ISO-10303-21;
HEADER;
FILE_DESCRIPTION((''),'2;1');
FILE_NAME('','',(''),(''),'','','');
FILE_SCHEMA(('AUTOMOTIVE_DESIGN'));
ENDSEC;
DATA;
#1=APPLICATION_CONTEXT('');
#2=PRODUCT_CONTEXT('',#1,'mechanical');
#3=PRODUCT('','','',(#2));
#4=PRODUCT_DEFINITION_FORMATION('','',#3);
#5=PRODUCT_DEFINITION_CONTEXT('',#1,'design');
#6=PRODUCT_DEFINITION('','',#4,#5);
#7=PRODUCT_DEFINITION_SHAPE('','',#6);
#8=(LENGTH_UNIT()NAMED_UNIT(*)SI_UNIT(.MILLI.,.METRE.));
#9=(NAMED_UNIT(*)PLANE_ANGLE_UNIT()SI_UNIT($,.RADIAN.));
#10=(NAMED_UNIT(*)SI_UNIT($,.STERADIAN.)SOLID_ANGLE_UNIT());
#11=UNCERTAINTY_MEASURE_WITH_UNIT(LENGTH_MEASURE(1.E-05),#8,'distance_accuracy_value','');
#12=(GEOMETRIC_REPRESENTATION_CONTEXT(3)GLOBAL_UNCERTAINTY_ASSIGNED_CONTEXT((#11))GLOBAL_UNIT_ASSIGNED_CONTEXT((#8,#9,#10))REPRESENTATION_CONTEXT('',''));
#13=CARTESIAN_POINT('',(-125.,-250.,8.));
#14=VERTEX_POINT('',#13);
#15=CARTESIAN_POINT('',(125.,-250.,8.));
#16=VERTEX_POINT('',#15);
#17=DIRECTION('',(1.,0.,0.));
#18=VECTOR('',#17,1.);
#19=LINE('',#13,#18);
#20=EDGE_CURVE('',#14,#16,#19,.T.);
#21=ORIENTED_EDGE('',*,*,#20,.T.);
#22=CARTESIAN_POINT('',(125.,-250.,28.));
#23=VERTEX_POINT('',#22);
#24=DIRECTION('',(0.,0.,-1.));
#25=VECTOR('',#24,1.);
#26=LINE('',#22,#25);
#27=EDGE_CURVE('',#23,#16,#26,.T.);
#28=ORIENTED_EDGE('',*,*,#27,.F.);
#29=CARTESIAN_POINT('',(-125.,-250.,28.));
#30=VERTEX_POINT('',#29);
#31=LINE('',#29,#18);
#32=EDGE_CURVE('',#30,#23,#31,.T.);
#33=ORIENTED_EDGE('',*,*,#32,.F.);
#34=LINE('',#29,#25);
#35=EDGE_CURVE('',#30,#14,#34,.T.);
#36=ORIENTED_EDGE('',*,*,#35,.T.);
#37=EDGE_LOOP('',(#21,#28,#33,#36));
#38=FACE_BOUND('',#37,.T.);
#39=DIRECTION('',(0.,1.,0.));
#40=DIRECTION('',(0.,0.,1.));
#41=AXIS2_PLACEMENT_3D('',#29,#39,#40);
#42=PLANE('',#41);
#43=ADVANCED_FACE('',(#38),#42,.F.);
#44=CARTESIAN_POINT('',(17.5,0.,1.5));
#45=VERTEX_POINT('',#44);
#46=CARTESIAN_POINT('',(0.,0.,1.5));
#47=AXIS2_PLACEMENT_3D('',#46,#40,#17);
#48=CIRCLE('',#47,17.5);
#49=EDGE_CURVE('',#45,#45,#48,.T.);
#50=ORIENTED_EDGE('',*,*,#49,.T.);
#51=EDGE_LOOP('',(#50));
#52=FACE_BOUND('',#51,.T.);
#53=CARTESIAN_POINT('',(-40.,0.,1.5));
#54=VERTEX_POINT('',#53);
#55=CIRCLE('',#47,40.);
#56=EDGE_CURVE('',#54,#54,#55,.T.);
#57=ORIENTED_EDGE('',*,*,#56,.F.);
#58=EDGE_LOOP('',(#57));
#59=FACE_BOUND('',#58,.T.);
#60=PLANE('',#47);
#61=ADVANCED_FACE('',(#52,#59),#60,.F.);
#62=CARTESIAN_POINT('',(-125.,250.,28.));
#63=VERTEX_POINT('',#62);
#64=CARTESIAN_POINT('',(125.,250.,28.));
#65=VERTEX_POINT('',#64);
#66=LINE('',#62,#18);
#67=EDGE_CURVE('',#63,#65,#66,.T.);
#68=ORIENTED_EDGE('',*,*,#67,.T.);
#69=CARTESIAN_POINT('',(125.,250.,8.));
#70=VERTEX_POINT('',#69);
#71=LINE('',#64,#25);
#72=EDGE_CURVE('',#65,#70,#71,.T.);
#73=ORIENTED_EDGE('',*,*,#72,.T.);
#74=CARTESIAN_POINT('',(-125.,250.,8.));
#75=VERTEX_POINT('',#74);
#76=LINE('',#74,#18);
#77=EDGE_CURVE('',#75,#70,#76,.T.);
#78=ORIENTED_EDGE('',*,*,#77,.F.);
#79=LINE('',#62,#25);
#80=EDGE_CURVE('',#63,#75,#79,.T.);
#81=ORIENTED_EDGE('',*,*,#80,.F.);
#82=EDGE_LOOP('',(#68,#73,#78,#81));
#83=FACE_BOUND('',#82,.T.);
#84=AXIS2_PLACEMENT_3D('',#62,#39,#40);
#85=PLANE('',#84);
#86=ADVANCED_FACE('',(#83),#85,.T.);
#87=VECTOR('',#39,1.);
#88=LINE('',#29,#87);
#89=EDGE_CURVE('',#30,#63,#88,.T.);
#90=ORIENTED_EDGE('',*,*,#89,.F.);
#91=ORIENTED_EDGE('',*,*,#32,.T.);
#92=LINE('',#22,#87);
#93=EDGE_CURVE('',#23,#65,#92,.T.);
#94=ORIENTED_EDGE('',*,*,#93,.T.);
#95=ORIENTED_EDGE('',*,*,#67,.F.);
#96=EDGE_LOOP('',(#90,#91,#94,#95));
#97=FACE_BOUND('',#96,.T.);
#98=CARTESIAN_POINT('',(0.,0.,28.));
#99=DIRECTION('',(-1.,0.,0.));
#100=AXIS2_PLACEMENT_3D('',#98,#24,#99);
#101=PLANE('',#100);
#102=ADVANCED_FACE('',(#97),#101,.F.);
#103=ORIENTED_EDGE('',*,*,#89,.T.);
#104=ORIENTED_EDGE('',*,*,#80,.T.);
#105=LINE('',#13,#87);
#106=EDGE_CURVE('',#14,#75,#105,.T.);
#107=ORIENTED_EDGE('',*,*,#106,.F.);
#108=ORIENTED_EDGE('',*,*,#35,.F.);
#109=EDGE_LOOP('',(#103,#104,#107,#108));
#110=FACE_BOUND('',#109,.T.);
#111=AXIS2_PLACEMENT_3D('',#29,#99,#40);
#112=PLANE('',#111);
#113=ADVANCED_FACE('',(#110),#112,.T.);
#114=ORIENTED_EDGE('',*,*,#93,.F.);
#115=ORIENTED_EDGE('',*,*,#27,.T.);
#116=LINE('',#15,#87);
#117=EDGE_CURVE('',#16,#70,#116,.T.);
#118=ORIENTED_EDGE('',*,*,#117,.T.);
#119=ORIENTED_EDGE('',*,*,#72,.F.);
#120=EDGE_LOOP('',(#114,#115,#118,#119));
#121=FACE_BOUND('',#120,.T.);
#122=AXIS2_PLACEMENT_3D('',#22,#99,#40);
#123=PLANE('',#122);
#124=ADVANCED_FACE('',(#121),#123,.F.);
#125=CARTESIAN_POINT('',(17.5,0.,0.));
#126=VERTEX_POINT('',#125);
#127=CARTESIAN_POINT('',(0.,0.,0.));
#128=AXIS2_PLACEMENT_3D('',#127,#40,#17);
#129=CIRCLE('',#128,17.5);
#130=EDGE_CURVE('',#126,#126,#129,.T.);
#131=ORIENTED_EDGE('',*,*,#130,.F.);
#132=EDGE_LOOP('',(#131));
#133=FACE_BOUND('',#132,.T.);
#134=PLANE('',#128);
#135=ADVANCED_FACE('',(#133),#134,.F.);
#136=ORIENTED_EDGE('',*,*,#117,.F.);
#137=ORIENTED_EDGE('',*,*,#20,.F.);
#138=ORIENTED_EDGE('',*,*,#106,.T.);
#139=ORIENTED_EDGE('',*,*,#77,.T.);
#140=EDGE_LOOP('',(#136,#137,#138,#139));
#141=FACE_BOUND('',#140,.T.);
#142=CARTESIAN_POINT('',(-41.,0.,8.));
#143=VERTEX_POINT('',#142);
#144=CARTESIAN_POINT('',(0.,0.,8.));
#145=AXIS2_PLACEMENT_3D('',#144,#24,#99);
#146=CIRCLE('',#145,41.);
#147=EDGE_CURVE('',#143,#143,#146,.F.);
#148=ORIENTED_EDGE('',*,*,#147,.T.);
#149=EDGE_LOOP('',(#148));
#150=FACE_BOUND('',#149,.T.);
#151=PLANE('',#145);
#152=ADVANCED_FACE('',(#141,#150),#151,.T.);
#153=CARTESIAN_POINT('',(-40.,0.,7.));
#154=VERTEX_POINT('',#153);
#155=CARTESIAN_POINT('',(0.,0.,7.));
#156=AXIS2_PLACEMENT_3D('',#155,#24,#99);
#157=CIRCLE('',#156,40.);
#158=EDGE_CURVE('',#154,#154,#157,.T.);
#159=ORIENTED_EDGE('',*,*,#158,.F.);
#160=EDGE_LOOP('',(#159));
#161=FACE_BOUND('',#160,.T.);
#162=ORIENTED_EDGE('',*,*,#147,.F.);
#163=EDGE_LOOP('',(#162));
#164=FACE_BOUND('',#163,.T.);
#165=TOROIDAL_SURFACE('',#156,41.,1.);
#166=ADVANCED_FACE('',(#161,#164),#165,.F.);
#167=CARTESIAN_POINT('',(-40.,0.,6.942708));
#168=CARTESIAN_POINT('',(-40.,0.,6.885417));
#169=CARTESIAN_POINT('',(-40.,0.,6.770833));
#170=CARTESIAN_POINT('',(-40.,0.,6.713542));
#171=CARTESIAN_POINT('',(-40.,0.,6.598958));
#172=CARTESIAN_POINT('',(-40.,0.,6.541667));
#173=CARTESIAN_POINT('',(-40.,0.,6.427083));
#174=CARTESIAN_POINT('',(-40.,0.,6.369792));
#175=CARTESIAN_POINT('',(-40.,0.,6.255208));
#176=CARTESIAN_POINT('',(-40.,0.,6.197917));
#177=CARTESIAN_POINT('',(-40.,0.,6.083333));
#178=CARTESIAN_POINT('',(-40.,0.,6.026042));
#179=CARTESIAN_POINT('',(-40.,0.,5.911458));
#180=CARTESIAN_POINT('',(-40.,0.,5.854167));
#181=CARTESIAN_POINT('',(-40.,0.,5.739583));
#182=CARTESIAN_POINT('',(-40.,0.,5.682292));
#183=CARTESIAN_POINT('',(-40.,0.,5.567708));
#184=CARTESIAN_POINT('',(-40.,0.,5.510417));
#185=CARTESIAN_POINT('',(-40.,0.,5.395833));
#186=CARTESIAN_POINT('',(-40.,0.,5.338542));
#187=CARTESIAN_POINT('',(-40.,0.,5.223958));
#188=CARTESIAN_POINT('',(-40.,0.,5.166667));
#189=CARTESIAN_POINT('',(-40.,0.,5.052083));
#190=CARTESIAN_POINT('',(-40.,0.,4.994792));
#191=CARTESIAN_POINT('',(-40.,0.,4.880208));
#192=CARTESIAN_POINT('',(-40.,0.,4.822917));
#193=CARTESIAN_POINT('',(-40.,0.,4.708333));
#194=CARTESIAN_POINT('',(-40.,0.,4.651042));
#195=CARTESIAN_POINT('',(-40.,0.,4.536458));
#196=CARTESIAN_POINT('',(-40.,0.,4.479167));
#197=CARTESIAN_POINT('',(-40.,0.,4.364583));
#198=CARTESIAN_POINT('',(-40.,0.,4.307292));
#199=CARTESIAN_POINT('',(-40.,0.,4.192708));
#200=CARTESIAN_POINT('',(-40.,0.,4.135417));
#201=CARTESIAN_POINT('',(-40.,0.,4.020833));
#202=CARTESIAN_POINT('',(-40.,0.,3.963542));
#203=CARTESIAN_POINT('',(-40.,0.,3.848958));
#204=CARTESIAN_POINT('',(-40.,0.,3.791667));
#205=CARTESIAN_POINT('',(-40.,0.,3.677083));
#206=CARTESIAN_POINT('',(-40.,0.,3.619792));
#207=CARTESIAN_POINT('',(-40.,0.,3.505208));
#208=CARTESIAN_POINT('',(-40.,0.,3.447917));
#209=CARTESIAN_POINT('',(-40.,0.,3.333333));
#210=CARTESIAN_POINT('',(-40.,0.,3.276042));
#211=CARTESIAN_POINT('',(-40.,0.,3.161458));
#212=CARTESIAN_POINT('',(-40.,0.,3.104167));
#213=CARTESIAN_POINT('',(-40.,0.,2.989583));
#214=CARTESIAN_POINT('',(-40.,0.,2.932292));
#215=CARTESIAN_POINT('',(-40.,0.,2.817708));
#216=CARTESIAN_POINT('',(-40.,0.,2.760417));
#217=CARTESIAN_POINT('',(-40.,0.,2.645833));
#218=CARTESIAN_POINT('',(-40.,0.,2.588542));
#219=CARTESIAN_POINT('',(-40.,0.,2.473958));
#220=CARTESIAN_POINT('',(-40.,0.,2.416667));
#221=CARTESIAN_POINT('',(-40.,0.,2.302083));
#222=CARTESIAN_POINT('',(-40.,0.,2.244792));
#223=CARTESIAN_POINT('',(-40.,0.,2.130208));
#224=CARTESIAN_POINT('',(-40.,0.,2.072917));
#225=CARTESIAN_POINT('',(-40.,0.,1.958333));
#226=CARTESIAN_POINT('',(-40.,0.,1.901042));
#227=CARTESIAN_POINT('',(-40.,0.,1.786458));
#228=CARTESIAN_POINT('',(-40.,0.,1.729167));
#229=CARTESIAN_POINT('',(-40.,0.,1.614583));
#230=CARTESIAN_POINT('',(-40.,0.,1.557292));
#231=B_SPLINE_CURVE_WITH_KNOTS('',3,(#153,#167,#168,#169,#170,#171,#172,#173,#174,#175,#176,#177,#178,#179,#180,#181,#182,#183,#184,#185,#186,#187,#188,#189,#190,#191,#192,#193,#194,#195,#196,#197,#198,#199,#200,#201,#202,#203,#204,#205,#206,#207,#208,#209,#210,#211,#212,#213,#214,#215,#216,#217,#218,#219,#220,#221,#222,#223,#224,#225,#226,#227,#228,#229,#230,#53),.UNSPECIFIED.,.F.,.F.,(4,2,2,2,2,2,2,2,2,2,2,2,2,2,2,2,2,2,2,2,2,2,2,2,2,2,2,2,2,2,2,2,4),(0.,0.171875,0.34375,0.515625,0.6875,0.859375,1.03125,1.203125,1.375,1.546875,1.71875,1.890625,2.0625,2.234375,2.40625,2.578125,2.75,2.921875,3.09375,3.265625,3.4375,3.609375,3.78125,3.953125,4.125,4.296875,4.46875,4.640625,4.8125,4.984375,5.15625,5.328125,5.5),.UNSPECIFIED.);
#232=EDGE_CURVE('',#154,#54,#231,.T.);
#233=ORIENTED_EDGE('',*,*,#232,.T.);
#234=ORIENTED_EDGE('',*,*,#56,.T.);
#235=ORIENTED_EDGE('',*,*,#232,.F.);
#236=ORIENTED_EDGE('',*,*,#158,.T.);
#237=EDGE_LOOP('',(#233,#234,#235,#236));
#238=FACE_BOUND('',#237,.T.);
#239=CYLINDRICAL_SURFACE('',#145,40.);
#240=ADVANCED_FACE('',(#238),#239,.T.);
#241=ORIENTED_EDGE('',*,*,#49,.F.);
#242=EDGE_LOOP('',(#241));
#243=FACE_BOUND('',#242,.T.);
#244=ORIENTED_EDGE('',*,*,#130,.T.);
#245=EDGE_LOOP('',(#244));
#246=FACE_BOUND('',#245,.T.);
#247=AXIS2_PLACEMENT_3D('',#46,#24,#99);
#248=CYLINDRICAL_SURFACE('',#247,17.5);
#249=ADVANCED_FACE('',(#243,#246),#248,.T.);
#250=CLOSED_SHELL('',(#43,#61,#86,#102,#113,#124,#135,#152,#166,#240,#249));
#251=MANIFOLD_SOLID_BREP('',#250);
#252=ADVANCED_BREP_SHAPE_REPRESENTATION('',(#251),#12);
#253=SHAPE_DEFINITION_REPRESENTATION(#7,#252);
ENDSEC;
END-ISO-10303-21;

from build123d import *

# Parameters (mm, degrees)
SKETCH1_R           = 17.5
BOSS_EXTRUDE1_DEPTH = 1.5
SKETCH2_R           = 40
BOSS_EXTRUDE2_DEPTH = 6.5
SKETCH3_W           = 250
SKETCH3_H           = 500
BOSS_EXTRUDE3_DEPTH = 20
FILLET2_R           = 1


with BuildPart() as part:
    # Sketch1 → Boss-Extrude1 (new body)
    with BuildSketch(Plane.XY):
        Circle(SKETCH1_R)
    extrude(amount=BOSS_EXTRUDE1_DEPTH)

    # Sketch2 → Boss-Extrude2 (add)
    with BuildSketch(Plane.XY.offset(1.5)):
        with Locations(Location((0, 0, 0), (0, 0, 180))):
            Circle(SKETCH2_R)
    extrude(amount=BOSS_EXTRUDE2_DEPTH)

    # Sketch3 → Boss-Extrude3 (add)
    with BuildSketch(Plane.XY.offset(8)):
        Rectangle(SKETCH3_W, SKETCH3_H)
    extrude(amount=BOSS_EXTRUDE3_DEPTH)

    # Fillet2
    fillet2_edges = [part.edges().sort_by_distance(p)[0] for p in [
        (40, 0, 8),
    ]]
    fillet(fillet2_edges, radius=FILLET2_R)


solid = part.part
